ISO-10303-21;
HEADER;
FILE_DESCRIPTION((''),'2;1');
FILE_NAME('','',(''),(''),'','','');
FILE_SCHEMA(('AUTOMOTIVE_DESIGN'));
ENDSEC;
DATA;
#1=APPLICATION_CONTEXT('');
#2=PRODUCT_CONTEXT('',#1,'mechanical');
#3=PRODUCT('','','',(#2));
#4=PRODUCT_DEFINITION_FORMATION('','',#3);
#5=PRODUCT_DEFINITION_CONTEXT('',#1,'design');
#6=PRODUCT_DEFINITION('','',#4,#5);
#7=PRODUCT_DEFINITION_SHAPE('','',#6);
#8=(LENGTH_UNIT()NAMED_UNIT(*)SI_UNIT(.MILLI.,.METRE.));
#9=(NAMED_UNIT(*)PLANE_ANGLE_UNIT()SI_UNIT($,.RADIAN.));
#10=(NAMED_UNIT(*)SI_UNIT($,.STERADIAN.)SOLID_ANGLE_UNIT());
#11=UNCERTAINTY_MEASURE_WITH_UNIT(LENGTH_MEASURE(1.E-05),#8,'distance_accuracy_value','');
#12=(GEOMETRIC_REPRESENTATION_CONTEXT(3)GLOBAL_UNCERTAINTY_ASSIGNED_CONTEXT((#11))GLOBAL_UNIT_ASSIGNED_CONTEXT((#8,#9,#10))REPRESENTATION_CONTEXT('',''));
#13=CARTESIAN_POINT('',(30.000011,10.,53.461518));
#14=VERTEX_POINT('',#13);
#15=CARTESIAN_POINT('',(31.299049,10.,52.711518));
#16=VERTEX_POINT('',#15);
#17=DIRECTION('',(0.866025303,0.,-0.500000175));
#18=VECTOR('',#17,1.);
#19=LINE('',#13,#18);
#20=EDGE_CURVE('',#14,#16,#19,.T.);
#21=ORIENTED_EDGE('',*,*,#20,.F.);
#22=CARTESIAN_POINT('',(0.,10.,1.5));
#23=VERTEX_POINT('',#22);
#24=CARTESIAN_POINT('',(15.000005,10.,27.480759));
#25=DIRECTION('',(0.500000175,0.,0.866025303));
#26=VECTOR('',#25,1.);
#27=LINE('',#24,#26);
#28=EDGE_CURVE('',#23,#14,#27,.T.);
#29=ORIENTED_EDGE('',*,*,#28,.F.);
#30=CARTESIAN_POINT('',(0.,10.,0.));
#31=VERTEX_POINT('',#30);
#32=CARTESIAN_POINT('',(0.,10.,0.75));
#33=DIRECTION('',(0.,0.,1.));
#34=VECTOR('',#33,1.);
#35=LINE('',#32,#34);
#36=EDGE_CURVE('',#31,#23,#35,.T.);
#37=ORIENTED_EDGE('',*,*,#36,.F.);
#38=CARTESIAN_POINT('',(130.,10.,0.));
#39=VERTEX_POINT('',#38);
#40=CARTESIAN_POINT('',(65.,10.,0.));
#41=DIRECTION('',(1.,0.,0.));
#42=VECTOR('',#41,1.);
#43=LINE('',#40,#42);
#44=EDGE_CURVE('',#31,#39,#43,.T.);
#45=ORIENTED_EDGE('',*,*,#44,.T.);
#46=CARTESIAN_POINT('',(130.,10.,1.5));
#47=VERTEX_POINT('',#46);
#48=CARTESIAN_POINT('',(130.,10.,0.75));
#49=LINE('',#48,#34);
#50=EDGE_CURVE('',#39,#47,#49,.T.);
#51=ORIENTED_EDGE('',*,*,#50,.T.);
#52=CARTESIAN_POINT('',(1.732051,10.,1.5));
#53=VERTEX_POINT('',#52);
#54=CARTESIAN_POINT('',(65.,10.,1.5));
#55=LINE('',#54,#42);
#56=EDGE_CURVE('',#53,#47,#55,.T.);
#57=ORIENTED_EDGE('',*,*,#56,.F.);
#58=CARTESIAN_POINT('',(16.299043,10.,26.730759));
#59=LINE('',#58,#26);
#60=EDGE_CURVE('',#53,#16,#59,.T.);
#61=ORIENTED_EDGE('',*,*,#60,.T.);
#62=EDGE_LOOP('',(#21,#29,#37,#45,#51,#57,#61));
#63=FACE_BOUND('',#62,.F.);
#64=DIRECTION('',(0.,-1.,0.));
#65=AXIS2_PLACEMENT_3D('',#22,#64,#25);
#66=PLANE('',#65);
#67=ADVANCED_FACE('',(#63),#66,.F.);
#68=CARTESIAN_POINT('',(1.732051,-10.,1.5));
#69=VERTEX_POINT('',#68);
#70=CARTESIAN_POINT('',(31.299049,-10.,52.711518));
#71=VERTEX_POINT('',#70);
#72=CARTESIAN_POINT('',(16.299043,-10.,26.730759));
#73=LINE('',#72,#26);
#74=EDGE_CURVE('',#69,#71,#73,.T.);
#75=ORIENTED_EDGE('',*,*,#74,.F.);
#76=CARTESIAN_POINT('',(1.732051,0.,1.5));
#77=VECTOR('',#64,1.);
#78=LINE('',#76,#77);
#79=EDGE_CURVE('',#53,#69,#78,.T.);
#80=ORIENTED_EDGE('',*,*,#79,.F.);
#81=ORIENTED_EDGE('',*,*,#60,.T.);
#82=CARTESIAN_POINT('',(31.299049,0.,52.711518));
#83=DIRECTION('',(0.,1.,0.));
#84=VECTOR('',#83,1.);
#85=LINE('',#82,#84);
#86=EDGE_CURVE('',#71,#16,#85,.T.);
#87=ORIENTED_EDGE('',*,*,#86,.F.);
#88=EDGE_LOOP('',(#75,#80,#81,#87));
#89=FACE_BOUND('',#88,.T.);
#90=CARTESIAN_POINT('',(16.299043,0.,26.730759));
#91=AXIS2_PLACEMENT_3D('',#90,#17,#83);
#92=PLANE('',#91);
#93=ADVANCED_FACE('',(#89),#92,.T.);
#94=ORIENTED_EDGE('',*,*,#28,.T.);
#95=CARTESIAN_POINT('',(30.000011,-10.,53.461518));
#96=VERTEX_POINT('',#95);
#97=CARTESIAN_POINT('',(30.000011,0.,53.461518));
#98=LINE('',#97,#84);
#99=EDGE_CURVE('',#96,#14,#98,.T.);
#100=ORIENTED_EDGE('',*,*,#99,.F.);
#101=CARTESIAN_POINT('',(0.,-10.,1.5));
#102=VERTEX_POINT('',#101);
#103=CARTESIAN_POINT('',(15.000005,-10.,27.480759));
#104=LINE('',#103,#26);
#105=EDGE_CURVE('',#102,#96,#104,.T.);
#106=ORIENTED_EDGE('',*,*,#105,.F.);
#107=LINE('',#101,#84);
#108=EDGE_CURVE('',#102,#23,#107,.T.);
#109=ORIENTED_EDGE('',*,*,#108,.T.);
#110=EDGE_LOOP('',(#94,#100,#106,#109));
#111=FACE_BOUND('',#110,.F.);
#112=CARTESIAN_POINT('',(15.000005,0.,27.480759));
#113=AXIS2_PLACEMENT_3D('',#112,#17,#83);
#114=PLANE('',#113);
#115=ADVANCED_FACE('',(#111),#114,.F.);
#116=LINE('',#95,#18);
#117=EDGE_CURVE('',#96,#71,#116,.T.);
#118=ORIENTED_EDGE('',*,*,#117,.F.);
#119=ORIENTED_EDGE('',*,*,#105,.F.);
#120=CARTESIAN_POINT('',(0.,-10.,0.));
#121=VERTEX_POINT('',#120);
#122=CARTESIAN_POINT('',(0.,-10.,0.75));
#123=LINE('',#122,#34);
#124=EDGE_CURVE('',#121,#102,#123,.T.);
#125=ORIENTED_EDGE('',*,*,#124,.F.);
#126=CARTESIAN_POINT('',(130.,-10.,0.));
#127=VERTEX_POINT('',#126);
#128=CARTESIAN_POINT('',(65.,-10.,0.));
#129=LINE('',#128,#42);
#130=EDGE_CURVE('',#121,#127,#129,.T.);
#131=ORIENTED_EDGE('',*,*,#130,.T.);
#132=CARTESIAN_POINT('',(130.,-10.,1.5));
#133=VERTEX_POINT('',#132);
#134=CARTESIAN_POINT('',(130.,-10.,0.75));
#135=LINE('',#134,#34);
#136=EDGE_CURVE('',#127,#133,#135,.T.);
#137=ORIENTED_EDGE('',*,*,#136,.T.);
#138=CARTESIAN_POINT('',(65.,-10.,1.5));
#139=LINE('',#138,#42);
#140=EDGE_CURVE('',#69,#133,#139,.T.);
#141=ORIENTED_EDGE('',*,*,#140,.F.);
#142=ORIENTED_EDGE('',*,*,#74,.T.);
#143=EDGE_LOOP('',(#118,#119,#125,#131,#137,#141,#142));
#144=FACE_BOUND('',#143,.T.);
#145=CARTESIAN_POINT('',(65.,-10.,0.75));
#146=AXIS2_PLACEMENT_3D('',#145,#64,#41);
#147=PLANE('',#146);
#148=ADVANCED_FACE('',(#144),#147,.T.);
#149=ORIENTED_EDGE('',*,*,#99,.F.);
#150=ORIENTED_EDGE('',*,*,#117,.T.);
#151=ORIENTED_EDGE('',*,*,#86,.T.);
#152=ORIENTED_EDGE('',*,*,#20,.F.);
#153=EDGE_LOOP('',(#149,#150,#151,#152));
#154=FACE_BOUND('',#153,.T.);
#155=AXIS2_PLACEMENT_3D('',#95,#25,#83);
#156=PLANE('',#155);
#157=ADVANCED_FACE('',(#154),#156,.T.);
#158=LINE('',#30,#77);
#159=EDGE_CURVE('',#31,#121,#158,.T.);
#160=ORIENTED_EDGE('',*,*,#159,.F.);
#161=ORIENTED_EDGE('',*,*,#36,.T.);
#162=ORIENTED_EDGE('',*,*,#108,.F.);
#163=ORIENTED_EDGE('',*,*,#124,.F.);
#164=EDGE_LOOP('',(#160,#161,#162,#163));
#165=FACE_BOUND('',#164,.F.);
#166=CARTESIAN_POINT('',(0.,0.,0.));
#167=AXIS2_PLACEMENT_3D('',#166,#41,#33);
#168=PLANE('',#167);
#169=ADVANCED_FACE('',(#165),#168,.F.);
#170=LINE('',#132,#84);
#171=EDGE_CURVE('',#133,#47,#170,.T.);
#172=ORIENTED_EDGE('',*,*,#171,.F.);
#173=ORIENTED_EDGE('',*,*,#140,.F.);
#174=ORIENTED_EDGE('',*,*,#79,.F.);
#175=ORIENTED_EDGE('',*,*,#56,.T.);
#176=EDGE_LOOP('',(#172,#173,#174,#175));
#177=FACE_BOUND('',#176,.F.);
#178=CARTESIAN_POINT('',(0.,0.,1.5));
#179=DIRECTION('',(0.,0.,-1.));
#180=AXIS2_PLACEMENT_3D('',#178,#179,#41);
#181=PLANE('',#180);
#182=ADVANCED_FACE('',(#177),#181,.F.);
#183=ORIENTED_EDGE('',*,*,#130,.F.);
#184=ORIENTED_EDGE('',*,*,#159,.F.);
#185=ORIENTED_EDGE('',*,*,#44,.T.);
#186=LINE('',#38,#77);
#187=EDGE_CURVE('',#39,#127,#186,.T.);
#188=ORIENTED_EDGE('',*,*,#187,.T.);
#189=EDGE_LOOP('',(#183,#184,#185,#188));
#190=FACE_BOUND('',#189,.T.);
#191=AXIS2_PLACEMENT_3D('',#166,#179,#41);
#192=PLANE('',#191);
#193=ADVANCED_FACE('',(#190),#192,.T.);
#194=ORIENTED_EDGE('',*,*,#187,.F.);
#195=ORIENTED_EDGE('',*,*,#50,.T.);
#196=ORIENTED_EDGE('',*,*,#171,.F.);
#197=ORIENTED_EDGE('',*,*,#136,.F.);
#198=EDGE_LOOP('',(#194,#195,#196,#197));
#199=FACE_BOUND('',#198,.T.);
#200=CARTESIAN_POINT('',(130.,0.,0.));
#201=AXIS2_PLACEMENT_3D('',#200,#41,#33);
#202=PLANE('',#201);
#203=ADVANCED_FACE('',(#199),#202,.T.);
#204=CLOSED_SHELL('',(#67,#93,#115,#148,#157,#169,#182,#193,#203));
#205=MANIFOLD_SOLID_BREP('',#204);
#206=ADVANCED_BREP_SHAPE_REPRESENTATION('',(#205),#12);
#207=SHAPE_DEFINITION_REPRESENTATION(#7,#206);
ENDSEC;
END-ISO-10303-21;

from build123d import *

# Parameters (mm, degrees)
F0_W     = 130
F0_H     = 1.5
F1_DEPTH = 10
F3_W     = 20
F3_H     = 60
F4_DEPTH = 1.5


with BuildPart() as f1:
    # F0 (on Front) → F1 (new body, symmetric)
    with BuildSketch(Plane.XZ):
        with Locations((65, 0.75)):
            Rectangle(F0_W, F0_H)
    extrude(amount=F1_DEPTH, both=True)

    # F3 (on face) → F4 (join)
    with BuildSketch(Plane(origin=(-0.649519, 0, 0.375), x_dir=(0, 1, 0), z_dir=(0.866025, 0, -0.5))):
        with Locations((0, 31.299038)):
            Rectangle(F3_W, F3_H)
    extrude(amount=F4_DEPTH)


solid = f1.part
